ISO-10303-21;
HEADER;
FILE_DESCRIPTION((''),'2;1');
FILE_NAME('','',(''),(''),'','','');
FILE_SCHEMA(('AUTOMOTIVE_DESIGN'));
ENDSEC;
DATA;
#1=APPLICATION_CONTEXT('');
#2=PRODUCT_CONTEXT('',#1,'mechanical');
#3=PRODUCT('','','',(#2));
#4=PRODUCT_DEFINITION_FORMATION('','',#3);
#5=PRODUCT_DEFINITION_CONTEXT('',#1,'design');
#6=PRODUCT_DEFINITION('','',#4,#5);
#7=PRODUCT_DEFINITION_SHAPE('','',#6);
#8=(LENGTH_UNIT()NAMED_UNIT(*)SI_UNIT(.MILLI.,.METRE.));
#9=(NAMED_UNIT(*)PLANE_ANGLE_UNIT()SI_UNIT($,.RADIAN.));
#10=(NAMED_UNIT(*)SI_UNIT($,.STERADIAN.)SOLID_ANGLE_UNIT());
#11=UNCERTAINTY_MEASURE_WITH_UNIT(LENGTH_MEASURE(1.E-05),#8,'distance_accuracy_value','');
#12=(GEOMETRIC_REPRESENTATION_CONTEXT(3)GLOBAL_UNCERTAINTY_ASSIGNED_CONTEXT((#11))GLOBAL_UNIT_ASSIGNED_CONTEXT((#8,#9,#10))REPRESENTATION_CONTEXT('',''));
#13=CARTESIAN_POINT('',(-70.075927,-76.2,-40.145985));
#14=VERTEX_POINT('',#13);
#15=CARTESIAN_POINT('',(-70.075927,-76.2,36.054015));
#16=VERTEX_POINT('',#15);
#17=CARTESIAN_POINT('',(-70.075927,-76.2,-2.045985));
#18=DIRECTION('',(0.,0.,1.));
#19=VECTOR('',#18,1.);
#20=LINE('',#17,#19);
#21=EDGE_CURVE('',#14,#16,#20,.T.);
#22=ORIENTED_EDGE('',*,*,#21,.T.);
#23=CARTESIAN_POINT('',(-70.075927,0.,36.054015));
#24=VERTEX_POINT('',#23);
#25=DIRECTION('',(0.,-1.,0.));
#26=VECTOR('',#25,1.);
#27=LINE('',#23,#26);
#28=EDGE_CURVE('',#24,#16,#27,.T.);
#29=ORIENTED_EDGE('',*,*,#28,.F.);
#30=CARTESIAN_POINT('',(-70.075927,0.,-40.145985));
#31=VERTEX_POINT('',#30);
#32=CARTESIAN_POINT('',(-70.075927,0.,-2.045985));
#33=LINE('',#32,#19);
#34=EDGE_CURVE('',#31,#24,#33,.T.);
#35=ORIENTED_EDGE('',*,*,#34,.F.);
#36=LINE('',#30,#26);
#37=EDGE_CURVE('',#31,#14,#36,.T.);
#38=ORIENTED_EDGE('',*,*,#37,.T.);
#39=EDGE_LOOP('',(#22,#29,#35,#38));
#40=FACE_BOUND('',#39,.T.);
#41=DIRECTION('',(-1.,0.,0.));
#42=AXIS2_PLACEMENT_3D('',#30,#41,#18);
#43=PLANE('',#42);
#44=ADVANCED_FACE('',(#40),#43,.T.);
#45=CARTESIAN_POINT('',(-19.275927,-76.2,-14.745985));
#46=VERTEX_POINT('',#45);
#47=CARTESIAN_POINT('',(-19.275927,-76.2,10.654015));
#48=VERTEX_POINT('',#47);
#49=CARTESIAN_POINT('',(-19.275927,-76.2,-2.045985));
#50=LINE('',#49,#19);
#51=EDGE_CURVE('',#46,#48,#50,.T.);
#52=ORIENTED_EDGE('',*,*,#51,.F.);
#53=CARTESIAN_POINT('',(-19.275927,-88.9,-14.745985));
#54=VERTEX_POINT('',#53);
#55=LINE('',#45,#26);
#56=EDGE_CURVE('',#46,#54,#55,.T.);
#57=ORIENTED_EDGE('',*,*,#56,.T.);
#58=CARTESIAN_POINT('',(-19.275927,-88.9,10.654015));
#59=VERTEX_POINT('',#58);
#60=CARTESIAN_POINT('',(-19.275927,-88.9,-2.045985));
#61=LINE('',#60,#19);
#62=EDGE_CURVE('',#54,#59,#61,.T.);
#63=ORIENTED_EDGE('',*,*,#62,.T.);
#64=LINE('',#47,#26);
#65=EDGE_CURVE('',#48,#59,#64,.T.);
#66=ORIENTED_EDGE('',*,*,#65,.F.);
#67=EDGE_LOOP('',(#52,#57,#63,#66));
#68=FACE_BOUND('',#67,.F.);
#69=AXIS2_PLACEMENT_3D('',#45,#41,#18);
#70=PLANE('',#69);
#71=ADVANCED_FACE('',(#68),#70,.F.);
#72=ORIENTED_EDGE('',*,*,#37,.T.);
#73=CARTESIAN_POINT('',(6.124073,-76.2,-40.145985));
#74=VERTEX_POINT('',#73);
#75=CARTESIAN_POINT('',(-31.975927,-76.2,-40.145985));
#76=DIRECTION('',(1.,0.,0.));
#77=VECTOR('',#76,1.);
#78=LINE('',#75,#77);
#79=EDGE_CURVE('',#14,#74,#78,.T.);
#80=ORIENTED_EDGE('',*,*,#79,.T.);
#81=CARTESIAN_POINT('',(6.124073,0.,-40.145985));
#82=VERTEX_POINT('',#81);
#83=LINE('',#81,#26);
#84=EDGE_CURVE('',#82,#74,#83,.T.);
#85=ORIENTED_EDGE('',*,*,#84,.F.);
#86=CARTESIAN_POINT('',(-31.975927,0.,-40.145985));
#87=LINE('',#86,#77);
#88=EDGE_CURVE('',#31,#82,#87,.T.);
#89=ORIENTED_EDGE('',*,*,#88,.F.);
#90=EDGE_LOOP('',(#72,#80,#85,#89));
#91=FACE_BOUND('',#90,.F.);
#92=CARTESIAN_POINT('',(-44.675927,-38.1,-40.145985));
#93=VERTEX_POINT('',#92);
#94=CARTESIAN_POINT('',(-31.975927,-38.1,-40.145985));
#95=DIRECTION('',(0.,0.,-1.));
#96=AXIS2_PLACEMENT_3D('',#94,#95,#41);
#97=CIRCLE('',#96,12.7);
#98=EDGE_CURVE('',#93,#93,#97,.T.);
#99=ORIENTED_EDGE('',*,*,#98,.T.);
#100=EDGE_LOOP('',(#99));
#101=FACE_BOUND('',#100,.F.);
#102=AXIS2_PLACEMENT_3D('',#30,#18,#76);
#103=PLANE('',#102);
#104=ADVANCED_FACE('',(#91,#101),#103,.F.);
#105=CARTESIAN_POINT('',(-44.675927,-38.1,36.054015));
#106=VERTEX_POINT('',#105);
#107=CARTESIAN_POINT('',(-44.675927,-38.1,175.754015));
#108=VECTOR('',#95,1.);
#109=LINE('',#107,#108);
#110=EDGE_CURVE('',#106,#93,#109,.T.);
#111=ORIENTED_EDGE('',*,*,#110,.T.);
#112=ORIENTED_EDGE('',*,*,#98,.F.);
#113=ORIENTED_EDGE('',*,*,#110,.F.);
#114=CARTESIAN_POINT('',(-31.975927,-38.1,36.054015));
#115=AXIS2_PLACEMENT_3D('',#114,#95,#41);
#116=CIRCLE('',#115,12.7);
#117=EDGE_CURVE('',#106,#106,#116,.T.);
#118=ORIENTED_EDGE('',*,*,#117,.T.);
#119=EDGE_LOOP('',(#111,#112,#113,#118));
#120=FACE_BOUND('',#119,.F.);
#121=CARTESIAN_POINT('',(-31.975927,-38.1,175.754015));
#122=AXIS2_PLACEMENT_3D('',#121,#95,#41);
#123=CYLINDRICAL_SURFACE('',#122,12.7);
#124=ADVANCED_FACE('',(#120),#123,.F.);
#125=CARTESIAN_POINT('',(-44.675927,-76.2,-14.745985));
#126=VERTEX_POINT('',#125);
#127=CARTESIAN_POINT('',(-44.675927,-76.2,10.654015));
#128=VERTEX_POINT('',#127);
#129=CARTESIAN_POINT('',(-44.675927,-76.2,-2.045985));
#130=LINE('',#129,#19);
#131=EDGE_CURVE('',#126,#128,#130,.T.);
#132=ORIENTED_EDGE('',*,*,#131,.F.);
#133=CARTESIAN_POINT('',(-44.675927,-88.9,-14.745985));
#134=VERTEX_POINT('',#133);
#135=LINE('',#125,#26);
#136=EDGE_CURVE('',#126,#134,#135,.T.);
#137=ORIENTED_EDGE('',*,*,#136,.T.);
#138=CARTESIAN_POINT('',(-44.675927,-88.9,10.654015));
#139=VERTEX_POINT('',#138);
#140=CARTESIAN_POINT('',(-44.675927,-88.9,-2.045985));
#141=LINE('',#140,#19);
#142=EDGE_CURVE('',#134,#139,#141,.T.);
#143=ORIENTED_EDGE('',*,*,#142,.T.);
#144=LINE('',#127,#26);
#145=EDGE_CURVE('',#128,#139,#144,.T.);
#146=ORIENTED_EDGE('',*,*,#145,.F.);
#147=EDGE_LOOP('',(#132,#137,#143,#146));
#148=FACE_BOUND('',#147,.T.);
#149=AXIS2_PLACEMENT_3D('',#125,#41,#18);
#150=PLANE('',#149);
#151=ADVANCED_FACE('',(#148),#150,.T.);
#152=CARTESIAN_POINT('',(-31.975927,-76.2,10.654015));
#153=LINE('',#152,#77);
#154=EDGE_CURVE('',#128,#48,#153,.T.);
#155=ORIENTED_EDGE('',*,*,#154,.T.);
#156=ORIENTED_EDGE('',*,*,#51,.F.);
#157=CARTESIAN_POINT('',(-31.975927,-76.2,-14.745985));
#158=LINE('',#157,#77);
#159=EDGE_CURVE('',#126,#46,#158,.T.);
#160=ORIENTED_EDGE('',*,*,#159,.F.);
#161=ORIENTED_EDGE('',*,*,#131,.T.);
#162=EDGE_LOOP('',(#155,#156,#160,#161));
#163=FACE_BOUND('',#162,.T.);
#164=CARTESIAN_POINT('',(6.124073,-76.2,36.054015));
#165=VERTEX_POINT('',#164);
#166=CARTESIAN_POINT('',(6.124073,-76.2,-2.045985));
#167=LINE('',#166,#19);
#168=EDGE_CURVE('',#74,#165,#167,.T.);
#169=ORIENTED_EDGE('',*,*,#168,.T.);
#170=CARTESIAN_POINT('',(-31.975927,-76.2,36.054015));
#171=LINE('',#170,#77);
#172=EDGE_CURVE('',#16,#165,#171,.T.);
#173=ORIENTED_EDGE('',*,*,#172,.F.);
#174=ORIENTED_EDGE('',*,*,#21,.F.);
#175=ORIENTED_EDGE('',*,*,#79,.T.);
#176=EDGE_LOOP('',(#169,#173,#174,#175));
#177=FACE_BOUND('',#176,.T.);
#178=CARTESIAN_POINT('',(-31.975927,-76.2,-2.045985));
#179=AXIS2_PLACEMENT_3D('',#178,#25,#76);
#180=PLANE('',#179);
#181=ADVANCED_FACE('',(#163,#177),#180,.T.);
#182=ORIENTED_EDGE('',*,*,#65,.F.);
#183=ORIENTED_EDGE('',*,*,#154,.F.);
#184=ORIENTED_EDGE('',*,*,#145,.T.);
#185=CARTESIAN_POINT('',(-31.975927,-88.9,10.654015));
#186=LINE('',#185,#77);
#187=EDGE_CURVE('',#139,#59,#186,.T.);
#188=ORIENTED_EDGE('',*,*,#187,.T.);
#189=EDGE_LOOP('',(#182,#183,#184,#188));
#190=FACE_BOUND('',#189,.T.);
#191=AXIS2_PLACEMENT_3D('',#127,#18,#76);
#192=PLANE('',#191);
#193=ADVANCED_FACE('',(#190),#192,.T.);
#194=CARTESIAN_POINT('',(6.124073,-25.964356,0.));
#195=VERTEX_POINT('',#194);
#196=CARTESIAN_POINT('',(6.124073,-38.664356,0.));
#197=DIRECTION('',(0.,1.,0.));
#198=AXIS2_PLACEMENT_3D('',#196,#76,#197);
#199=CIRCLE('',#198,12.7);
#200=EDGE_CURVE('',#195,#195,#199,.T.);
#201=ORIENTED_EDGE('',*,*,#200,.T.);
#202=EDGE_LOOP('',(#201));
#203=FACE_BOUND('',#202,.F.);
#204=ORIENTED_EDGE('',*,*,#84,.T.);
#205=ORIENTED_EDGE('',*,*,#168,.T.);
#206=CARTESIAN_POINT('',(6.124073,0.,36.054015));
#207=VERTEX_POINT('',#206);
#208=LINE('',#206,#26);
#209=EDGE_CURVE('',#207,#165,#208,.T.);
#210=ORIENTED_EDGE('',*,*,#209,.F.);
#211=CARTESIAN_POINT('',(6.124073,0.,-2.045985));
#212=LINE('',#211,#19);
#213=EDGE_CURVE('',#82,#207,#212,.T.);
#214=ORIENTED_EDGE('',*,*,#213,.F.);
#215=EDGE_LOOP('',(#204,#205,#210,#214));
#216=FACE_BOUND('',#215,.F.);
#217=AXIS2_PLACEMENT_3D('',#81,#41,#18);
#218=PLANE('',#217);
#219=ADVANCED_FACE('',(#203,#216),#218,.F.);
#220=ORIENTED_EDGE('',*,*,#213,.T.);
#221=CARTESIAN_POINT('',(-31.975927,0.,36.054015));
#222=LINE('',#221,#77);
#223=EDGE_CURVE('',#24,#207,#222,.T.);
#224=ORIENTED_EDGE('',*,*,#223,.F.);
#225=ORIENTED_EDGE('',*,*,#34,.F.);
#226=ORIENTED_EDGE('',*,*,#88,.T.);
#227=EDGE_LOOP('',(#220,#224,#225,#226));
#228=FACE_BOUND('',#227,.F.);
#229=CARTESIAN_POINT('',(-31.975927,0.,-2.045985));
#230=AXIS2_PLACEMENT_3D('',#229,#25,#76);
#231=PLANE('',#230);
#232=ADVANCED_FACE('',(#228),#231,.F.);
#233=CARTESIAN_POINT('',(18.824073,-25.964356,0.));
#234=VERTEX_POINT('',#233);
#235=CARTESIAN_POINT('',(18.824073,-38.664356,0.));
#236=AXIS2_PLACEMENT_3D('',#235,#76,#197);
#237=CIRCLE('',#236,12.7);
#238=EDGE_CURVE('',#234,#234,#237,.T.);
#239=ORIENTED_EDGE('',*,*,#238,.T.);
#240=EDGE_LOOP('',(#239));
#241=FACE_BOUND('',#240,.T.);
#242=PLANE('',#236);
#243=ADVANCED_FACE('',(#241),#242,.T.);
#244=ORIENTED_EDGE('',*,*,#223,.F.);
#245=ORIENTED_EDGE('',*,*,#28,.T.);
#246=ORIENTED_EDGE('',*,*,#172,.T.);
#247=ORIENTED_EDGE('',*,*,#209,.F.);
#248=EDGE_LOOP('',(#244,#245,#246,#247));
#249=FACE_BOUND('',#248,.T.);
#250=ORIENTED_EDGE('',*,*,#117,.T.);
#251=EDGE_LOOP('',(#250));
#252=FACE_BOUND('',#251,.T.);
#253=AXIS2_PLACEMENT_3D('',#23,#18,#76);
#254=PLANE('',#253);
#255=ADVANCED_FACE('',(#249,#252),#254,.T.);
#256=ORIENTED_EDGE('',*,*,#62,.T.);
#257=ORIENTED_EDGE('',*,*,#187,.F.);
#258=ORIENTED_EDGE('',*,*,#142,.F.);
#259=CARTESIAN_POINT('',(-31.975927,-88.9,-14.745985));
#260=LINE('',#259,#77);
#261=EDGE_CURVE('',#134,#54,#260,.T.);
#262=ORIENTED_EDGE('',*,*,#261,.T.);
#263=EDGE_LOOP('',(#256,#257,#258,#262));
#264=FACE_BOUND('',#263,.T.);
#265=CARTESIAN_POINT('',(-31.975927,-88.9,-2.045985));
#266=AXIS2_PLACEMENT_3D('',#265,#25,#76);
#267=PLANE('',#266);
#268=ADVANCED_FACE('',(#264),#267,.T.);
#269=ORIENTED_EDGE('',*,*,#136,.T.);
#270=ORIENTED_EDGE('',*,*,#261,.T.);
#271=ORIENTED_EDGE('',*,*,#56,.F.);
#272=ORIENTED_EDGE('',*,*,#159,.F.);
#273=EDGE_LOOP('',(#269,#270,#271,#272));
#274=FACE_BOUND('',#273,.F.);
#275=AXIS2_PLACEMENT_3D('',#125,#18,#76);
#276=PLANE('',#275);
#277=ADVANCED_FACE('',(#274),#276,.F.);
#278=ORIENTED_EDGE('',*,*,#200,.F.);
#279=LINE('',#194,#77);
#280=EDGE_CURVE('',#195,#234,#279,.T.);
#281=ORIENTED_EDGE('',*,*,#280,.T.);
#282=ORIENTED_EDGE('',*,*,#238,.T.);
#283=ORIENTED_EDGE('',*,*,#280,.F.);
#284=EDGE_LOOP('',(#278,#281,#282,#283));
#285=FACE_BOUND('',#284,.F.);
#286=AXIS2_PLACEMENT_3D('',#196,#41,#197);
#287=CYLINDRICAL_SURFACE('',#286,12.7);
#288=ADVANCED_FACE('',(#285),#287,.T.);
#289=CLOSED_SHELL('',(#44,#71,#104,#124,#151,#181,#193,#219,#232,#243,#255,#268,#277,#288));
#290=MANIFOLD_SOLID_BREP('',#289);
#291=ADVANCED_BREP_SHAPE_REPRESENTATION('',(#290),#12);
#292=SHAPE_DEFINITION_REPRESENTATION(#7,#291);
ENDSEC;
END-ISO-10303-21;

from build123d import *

# Parameters (mm, degrees)
F0_W     = 76.2
F0_H     = 76.2
F1_DEPTH = 76.2
F2_W     = 25.4
F2_H     = 25.4
F3_DEPTH = 12.7
F5_D     = 25.4
F6_R     = 12.7
F7_DEPTH = 12.7


with BuildPart() as f1:
    # F0 (on Front) → F1 (new body)
    with BuildSketch(Plane.XZ):
        with Locations((-31.975927, -2.045985)):
            Rectangle(F0_W, F0_H)
    extrude(amount=F1_DEPTH)

    # F2 (on face) → F3 (join)
    with BuildSketch(Plane.XZ.offset(76.2)):
        with Locations((-31.975927, -2.045985)):
            Rectangle(F2_W, F2_H)
    extrude(amount=F3_DEPTH)

    # F5 (through all)
    with Locations(Plane.XY.offset(36.054015)):
        with Locations((-31.975927, -38.1)):
            Hole(F5_D / 2)

    # F6 (on face) → F7 (join)
    with BuildSketch(Plane.YZ.offset(6.124073)):
        with Locations((-38.664356, 0)):
            Circle(F6_R)
    extrude(amount=F7_DEPTH)


solid = f1.part
